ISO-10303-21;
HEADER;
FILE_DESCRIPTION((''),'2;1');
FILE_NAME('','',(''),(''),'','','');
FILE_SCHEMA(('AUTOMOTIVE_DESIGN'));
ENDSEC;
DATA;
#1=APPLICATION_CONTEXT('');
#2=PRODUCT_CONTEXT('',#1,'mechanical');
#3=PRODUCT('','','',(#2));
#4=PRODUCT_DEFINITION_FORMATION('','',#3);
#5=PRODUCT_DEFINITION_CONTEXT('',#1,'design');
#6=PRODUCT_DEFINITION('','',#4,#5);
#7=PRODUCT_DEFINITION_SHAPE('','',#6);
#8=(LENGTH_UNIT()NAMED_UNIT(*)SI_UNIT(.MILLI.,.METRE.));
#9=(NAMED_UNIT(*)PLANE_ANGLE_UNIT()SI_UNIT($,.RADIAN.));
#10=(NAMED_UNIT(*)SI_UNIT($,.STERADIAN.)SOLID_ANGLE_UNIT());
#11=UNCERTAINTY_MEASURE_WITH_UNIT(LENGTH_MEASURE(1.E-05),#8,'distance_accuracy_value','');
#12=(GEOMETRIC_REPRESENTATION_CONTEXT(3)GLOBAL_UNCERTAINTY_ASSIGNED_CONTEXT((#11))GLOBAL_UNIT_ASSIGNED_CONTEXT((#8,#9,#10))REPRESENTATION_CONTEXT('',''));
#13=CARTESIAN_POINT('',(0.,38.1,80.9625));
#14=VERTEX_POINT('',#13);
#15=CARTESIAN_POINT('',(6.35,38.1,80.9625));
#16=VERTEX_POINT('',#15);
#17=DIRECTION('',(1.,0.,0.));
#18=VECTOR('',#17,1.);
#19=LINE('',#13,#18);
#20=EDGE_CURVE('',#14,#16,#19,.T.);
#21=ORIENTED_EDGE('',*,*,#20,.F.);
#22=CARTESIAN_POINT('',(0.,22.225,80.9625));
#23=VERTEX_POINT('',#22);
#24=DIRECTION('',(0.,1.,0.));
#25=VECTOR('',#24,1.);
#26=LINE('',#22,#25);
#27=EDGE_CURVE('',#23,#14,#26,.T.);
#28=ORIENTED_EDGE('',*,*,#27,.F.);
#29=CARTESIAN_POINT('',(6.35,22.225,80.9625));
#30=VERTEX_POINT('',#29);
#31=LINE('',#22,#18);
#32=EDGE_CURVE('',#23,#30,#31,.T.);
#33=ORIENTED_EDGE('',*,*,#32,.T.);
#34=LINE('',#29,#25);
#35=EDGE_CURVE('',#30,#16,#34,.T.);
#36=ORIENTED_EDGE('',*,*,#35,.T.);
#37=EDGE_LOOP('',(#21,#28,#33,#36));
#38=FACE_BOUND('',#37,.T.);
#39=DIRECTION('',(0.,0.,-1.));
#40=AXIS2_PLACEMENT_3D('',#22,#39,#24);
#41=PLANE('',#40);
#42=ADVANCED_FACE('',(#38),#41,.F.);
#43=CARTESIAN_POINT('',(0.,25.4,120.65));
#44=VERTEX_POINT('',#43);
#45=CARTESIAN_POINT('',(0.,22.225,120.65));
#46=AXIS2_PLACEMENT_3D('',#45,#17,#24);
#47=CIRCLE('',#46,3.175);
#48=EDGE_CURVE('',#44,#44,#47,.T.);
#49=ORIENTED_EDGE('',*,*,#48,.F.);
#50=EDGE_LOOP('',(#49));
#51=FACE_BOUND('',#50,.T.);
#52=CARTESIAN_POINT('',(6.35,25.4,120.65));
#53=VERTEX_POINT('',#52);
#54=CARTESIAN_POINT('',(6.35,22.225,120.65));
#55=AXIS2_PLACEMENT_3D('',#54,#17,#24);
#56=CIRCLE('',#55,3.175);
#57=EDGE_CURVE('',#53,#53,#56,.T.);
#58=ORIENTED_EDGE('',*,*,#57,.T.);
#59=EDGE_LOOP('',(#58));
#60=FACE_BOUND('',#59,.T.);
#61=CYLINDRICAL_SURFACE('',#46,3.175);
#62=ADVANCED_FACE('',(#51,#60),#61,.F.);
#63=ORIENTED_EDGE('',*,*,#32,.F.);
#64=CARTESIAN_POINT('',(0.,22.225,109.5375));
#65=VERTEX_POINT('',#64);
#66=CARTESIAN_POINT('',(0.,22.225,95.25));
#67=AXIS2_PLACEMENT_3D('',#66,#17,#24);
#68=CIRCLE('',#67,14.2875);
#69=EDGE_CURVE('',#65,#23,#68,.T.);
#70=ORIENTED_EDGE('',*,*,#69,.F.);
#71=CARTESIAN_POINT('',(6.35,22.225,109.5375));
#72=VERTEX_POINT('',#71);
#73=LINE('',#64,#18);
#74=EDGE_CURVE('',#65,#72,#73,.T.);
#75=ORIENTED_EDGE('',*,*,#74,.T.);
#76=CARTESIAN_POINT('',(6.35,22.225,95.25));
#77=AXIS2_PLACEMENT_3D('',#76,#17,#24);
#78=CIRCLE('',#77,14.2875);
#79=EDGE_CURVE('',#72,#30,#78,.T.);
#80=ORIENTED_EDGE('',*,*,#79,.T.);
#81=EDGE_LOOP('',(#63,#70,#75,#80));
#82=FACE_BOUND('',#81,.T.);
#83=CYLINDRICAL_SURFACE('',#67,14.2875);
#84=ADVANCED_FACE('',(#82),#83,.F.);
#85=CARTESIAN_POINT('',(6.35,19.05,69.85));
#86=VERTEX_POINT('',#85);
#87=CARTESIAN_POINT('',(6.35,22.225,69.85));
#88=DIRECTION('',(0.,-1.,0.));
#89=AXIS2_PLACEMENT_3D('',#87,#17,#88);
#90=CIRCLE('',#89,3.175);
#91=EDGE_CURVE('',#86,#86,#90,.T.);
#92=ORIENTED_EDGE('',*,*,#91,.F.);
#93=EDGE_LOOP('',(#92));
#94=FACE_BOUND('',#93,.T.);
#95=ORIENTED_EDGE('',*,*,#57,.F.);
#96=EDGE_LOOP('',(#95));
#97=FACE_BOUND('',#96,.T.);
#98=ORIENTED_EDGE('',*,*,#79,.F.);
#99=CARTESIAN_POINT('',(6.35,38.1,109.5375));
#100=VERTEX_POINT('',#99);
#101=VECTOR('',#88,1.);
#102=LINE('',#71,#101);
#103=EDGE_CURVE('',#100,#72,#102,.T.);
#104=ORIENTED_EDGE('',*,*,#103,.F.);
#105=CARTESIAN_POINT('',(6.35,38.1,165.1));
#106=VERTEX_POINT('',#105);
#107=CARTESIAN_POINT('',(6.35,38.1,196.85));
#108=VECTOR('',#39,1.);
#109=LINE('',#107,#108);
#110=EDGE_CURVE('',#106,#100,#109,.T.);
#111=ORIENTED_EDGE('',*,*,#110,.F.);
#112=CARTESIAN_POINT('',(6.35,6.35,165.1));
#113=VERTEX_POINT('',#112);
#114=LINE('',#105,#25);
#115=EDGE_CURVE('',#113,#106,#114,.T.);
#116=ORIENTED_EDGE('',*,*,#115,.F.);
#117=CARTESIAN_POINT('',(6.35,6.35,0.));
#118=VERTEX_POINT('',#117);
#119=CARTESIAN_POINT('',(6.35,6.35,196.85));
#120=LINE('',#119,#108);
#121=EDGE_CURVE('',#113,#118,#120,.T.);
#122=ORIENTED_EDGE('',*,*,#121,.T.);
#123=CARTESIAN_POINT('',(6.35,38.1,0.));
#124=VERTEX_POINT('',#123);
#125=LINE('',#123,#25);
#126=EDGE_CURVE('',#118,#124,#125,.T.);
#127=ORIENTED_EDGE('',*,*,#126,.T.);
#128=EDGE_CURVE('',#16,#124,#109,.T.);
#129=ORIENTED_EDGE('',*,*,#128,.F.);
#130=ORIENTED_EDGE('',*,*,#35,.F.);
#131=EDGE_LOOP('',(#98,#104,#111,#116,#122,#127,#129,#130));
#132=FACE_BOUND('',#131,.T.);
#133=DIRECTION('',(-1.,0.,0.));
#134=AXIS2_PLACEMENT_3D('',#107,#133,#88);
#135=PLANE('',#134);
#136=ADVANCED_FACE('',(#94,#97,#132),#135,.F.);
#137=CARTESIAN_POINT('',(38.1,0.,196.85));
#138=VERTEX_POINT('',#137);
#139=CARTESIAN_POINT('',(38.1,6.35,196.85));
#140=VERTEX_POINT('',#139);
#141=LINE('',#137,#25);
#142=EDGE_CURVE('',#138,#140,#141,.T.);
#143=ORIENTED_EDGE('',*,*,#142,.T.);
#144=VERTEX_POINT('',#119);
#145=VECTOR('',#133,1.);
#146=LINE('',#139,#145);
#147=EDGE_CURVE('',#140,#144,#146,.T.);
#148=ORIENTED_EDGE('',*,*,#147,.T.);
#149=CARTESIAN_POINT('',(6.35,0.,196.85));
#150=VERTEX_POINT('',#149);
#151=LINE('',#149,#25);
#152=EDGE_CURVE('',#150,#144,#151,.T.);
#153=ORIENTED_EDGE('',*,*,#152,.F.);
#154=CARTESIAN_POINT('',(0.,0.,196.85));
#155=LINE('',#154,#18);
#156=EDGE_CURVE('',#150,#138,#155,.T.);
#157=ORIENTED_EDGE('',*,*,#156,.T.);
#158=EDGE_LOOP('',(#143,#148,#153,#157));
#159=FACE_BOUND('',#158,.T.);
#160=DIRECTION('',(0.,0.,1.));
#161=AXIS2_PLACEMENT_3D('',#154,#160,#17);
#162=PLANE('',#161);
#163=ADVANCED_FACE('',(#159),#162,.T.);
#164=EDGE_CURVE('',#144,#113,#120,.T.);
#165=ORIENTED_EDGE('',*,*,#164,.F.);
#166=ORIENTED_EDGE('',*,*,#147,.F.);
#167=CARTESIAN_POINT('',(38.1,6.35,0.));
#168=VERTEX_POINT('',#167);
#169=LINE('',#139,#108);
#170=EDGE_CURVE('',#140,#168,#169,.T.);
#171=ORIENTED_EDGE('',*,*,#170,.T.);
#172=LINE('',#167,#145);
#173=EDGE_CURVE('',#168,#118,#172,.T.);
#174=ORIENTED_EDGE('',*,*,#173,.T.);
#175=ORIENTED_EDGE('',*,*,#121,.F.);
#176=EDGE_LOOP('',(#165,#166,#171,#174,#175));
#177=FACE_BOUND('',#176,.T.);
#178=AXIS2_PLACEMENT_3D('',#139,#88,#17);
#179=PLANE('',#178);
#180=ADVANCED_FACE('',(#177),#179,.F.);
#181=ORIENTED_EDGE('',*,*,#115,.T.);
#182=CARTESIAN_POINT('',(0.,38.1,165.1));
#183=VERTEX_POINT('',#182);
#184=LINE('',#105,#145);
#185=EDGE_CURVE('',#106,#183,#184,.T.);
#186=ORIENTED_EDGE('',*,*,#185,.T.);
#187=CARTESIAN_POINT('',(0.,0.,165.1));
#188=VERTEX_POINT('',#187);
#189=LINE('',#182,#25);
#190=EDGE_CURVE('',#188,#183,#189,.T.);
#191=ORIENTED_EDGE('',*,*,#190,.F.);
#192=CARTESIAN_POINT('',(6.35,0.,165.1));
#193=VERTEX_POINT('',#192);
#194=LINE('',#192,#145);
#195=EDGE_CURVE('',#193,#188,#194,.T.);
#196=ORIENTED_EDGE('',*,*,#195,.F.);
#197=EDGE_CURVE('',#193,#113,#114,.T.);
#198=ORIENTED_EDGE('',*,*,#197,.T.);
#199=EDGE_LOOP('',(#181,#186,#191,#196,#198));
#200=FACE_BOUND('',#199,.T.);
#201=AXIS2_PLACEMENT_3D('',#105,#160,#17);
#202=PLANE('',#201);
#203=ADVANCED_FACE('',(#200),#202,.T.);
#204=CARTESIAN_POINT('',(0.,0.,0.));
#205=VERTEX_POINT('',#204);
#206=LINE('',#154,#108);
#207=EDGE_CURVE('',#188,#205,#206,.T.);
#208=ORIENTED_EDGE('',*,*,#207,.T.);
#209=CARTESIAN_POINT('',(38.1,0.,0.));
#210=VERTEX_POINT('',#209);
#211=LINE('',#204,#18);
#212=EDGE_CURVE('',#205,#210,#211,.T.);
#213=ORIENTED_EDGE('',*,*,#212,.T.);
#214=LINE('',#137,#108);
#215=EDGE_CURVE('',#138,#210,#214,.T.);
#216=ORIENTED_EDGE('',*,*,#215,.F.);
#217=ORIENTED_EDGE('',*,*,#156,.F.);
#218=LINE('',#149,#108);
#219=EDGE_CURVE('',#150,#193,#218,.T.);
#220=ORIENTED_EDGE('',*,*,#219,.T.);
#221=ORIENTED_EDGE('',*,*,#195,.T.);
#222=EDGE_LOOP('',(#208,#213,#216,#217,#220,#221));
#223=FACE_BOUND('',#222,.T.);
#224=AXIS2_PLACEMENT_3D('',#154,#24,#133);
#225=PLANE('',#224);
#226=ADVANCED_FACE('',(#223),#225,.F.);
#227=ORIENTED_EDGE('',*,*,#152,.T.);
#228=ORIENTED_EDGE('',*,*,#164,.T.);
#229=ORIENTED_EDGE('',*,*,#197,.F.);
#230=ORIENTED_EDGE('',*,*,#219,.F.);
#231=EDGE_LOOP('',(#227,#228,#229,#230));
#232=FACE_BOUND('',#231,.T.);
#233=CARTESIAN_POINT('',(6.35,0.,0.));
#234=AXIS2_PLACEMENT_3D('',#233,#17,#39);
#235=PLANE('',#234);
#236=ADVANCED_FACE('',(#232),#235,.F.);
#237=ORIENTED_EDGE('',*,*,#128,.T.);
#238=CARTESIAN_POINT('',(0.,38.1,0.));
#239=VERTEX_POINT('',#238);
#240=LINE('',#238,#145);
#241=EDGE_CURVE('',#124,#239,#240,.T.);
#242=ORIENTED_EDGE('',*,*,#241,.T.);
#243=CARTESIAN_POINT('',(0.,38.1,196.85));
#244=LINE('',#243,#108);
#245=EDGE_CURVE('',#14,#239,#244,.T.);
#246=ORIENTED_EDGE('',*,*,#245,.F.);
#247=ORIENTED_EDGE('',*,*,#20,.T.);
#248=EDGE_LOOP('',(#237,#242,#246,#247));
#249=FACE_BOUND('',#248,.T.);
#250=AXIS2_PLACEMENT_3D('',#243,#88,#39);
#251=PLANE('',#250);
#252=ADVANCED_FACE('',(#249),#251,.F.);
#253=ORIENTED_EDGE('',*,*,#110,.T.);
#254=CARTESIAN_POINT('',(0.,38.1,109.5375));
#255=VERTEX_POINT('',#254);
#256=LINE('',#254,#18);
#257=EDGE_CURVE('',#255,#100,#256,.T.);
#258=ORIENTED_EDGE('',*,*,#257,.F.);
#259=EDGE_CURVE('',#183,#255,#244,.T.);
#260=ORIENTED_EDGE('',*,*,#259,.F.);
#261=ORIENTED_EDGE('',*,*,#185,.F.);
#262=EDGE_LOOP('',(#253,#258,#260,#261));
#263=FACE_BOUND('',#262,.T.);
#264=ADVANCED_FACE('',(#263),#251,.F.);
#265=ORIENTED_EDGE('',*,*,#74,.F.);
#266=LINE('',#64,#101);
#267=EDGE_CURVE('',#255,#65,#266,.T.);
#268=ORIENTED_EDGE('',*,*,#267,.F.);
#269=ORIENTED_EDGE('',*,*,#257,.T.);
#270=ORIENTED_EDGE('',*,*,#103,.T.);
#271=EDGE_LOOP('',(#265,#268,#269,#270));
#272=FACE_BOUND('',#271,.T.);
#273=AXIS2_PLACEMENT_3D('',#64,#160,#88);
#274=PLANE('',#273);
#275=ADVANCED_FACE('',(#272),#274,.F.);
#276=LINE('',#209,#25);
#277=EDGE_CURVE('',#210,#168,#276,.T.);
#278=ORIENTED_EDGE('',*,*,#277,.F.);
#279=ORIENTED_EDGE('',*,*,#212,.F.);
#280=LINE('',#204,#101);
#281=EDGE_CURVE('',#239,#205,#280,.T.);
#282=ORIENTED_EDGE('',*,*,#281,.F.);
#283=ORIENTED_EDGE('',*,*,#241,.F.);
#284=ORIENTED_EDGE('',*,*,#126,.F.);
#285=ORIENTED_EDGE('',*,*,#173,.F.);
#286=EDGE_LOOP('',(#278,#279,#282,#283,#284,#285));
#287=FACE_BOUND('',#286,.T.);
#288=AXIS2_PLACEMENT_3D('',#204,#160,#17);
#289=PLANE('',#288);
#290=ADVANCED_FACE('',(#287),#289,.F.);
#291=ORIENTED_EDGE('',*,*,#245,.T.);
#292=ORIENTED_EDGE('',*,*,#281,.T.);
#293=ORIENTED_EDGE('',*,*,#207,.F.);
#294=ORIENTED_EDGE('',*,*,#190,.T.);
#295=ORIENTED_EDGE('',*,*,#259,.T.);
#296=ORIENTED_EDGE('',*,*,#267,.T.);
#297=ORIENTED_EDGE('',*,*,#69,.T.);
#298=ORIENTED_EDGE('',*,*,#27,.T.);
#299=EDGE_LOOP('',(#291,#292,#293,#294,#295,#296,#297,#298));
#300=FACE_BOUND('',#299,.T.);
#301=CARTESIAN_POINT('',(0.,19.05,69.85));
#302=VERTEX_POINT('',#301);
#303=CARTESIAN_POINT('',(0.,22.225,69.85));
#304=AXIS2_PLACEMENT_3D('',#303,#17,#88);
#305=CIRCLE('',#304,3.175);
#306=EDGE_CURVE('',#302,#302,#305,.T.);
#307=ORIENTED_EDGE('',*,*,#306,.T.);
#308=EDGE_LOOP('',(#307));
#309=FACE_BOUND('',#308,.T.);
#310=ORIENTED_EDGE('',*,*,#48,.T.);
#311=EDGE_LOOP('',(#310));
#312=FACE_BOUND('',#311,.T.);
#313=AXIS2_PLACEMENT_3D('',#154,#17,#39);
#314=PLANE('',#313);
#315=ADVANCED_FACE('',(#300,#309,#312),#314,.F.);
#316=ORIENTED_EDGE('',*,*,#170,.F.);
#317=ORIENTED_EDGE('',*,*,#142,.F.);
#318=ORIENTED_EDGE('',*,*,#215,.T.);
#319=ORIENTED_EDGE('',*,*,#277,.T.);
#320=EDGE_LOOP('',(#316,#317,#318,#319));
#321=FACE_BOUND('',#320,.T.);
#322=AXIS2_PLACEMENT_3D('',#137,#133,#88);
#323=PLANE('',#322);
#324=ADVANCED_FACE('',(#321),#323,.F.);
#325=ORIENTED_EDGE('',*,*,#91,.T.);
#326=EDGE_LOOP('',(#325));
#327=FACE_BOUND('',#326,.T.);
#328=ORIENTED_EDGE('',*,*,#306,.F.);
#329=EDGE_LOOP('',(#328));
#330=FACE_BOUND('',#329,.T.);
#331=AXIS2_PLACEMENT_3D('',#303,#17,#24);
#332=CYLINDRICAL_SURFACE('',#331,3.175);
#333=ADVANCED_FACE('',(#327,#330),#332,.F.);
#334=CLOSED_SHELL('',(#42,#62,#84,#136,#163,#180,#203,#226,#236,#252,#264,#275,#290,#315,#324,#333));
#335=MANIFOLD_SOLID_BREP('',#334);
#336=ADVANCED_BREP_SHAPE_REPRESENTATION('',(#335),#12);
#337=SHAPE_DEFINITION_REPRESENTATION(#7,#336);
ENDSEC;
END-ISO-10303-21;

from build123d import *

# Parameters (mm, degrees)
BOSS_EXTRUDE1_DEPTH = 196.85
SKETCH2_W           = 31.75
SKETCH2_H           = 38.1
CUT_EXTRUDE1_DEPTH  = 6.35
SKETCH3_R           = 3.175
CUT_EXTRUDE2_DEPTH  = 7.35


with BuildPart() as part:
    # Sketch1 → Boss-Extrude1 (new body)
    with BuildSketch(Plane.XY):
        Polygon((0, 0), (0, 38.1), (6.35, 38.1), (6.35, 6.35), (38.1, 6.35), (38.1, 0), align=None)
    extrude(amount=BOSS_EXTRUDE1_DEPTH)

    # Sketch2 → Cut-Extrude1 (cut)
    with BuildSketch(Plane(origin=(0, 0, 0), x_dir=(0, 0, -1), z_dir=(1, 0, 0))):
        with Locations((-180.975, 19.05)):
            Rectangle(SKETCH2_W, SKETCH2_H)
    extrude(amount=CUT_EXTRUDE1_DEPTH, mode=Mode.SUBTRACT)

    # Sketch3 → Cut-Extrude2 (cut, through all)
    with BuildSketch(Plane(origin=(6.35, 0, 0), x_dir=(0, 0, -1), z_dir=(1, 0, 0))):
        with Locations((-120.65, 22.225)):
            Circle(SKETCH3_R)
        with Locations((-69.85, 22.225)):
            Circle(SKETCH3_R)
        with BuildLine():
            Line((-109.5375, 22.225), (-109.5375, 38.1))
            Line((-109.5375, 38.1), (-80.9625, 38.1))
            Line((-80.9625, 38.1), (-80.9625, 22.225))
            ThreePointArc((-80.9625, 22.225), (-95.25, 7.9375), (-109.5375, 22.225))
        make_face()
    extrude(amount=-CUT_EXTRUDE2_DEPTH, mode=Mode.SUBTRACT)


solid = part.part
